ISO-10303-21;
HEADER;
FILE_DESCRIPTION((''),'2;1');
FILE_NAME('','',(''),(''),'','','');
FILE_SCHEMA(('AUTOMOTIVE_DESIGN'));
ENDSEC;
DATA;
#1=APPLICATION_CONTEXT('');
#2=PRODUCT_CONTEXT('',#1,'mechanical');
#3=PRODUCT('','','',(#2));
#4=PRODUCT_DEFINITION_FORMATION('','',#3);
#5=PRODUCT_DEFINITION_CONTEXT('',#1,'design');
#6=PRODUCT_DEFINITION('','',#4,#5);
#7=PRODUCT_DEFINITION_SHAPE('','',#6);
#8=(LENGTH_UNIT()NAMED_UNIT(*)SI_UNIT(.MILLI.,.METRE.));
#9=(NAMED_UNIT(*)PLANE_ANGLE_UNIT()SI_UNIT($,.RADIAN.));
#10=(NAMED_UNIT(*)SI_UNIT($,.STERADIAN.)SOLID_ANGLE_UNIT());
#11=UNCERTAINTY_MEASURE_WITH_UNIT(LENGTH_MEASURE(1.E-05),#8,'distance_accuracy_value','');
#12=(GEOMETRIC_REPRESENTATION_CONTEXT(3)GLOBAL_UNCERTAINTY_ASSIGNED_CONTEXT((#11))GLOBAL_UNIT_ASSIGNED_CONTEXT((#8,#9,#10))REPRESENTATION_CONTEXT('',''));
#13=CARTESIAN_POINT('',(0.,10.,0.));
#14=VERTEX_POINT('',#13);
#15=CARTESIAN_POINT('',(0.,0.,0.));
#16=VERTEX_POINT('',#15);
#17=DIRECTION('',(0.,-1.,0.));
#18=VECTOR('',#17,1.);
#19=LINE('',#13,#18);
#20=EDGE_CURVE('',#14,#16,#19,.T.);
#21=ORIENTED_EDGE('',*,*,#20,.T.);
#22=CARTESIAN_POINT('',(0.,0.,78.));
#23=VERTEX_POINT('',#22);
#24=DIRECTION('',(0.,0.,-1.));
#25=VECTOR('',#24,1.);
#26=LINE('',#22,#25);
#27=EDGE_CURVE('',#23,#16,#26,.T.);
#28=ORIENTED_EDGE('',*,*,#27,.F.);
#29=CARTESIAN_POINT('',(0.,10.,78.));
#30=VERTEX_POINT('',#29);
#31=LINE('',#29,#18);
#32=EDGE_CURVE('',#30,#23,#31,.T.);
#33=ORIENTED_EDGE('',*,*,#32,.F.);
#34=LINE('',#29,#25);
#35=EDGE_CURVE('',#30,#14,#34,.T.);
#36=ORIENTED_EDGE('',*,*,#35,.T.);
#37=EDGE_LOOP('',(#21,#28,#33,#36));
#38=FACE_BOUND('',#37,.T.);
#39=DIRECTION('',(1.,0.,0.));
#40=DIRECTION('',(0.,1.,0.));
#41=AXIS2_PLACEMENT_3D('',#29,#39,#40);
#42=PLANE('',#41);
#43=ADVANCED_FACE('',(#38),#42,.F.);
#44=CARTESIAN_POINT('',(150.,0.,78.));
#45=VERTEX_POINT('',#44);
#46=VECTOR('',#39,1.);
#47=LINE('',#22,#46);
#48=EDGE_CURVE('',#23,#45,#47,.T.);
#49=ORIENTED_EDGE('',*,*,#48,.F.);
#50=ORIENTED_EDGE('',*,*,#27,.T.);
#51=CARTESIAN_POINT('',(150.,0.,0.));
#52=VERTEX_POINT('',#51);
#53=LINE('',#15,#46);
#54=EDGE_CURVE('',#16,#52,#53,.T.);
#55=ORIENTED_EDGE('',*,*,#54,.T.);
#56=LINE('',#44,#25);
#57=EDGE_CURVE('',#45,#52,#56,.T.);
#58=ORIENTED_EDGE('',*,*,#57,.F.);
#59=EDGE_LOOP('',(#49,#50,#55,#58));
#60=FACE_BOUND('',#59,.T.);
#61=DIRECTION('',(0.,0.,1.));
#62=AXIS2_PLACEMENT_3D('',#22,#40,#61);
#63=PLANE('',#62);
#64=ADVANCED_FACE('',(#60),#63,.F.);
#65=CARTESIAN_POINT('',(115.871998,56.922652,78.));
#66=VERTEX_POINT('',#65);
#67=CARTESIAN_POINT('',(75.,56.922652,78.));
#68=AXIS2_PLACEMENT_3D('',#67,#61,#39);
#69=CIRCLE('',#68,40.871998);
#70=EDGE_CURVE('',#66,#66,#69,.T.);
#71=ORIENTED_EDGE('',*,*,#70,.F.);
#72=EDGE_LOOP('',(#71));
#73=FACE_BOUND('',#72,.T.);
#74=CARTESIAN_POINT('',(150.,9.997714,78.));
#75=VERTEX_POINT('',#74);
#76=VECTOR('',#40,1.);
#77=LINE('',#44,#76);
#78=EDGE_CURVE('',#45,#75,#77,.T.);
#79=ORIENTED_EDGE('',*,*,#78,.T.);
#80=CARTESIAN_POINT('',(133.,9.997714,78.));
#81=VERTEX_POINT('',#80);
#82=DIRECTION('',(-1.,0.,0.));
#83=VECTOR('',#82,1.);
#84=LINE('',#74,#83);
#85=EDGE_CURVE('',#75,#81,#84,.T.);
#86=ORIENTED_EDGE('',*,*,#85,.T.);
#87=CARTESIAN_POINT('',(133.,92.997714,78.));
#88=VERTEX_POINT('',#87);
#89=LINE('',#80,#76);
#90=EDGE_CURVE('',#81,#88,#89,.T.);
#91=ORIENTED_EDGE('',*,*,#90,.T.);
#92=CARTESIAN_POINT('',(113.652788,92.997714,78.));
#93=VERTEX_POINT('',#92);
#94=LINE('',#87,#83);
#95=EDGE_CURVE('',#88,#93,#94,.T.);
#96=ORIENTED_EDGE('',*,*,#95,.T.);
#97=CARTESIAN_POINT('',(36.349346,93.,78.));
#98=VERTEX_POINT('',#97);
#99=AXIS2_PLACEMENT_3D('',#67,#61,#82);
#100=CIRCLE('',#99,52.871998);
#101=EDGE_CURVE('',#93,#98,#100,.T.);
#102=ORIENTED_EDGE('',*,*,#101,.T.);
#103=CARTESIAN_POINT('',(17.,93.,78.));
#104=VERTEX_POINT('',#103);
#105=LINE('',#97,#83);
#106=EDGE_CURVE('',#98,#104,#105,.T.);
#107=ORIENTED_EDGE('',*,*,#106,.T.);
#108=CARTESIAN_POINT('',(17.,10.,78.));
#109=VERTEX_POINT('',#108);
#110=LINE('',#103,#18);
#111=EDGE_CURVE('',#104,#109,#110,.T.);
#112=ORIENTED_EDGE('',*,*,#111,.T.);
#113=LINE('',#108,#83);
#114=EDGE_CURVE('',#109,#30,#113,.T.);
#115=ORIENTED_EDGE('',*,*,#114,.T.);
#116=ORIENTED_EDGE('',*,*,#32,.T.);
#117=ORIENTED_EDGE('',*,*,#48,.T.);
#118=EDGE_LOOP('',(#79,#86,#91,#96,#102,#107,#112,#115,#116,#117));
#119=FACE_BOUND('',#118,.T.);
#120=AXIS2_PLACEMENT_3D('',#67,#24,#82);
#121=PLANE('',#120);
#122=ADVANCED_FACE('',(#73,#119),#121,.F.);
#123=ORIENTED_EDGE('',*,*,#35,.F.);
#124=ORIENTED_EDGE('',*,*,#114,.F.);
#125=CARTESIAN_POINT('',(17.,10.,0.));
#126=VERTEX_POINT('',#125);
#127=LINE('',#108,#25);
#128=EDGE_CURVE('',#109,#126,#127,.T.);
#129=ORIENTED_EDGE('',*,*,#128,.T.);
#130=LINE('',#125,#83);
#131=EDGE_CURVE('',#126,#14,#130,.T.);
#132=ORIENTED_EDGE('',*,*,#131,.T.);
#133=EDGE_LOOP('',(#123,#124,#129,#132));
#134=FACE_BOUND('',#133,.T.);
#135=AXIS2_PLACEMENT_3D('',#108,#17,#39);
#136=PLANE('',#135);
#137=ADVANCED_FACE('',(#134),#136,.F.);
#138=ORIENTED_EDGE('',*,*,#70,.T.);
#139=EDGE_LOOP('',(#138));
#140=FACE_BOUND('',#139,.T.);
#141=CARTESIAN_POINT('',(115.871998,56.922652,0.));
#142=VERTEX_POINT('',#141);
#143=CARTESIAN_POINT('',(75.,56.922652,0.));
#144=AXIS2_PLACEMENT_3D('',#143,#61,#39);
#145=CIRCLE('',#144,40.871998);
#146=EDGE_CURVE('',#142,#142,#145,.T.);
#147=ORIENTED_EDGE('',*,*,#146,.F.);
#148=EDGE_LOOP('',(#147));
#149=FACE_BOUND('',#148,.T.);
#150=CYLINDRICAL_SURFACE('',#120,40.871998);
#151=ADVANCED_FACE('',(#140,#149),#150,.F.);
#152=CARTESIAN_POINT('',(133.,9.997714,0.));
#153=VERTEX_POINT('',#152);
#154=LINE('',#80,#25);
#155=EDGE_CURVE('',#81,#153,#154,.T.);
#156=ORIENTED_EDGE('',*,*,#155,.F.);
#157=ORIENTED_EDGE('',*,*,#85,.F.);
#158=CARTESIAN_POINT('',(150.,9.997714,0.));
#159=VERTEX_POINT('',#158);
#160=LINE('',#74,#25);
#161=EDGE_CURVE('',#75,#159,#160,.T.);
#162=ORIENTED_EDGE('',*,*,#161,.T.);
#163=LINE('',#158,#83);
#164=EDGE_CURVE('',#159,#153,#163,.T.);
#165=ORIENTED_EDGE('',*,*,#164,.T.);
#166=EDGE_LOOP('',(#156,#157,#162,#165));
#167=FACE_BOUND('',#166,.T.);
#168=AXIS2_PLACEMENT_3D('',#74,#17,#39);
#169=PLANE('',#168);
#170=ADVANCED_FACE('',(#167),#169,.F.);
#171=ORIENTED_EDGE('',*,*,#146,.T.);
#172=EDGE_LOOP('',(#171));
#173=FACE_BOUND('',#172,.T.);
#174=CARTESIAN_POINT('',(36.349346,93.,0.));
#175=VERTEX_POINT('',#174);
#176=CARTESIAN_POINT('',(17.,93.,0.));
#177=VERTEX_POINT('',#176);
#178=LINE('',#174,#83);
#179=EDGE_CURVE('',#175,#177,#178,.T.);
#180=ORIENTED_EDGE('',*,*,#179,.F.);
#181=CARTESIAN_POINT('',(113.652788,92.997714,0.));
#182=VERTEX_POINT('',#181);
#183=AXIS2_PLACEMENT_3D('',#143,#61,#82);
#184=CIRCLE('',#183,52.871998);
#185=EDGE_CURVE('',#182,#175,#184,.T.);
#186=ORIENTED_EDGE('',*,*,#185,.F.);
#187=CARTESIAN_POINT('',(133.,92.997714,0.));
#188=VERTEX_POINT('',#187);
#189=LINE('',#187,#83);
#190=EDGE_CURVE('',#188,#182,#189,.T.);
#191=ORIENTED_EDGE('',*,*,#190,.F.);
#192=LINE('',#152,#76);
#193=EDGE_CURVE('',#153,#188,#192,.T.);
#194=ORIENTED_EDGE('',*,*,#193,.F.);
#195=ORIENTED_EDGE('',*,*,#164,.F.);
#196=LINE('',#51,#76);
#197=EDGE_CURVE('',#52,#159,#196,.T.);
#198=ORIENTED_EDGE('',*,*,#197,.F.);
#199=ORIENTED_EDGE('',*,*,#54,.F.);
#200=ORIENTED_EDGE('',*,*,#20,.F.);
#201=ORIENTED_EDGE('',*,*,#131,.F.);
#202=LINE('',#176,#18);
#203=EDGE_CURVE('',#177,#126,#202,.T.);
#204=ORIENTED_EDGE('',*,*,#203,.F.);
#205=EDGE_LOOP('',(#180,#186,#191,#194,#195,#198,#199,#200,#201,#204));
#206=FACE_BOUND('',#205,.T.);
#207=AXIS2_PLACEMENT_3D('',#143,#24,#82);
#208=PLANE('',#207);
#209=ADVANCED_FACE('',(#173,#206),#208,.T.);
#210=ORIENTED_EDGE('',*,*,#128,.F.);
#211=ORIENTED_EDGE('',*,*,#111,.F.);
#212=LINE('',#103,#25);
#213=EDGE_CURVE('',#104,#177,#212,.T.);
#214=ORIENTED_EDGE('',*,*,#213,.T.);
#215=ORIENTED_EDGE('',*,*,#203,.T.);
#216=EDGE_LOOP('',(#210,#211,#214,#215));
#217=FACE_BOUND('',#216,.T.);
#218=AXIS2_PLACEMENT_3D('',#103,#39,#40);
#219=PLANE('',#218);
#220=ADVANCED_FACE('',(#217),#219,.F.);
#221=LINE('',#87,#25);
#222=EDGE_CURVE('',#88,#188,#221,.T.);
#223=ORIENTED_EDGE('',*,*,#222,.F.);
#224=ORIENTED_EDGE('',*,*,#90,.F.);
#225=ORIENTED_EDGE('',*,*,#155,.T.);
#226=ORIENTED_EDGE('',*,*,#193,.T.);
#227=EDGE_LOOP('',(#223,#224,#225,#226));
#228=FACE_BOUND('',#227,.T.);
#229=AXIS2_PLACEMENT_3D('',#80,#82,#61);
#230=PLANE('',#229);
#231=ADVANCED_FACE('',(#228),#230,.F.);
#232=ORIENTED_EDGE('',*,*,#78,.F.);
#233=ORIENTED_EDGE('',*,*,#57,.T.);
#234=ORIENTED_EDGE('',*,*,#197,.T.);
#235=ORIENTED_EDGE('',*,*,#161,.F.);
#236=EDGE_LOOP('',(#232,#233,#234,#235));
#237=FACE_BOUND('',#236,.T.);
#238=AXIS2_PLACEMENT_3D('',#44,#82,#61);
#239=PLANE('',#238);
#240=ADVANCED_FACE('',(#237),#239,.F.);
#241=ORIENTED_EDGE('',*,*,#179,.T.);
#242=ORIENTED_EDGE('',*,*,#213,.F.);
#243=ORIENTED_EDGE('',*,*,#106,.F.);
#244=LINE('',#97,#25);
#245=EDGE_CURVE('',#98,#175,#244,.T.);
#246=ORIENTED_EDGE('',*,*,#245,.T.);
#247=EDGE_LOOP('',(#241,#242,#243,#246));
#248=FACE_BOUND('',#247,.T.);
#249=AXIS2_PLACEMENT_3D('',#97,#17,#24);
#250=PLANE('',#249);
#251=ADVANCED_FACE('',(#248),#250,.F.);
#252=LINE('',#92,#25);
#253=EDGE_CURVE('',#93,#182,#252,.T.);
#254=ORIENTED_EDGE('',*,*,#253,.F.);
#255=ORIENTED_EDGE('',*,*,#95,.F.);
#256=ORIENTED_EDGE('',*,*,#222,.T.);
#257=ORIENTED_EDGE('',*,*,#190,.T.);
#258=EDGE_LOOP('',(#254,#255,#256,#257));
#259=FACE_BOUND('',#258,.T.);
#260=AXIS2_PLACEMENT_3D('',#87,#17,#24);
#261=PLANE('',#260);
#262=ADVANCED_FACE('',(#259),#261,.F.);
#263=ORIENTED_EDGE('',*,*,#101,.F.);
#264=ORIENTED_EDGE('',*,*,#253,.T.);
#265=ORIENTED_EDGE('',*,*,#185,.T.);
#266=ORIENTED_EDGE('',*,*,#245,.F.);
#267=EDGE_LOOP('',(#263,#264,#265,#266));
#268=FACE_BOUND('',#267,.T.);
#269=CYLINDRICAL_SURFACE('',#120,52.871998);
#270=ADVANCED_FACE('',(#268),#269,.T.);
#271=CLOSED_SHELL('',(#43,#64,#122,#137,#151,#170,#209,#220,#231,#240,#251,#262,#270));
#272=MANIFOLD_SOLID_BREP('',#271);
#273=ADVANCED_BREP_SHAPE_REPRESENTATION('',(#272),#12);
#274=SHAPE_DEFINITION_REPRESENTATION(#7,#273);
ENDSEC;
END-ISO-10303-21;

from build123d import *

# Parameters (mm, degrees)
ESQUISSE1_R        = 40.871997607
BOSS_EXTRU_1_DEPTH = 78


with BuildPart() as part:
    # Esquisse1 → Boss.-Extru.1 (new body)
    with BuildSketch(Plane.XY):
        with BuildLine():
            Line((0, 0), (150, 0))
            Line((150, 0), (150, 9.997713951))
            Line((150, 9.997713951), (133, 9.997713951))
            Line((133, 9.997713951), (133, 92.997713951))
            Line((133, 92.997713951), (113.65278798, 92.997713951))
            ThreePointArc((113.65278798, 92.997713951), (75.001563552, 109.79464934), (36.349345741, 93))
            Line((36.349345741, 93), (17, 93))
            Line((17, 93), (17, 10))
            Line((17, 10), (0, 10))
            Line((0, 10), (0, 0))
        make_face()
        with Locations((75, 56.922651756)):
            Circle(ESQUISSE1_R, mode=Mode.SUBTRACT)
    extrude(amount=BOSS_EXTRU_1_DEPTH)


solid = part.part
